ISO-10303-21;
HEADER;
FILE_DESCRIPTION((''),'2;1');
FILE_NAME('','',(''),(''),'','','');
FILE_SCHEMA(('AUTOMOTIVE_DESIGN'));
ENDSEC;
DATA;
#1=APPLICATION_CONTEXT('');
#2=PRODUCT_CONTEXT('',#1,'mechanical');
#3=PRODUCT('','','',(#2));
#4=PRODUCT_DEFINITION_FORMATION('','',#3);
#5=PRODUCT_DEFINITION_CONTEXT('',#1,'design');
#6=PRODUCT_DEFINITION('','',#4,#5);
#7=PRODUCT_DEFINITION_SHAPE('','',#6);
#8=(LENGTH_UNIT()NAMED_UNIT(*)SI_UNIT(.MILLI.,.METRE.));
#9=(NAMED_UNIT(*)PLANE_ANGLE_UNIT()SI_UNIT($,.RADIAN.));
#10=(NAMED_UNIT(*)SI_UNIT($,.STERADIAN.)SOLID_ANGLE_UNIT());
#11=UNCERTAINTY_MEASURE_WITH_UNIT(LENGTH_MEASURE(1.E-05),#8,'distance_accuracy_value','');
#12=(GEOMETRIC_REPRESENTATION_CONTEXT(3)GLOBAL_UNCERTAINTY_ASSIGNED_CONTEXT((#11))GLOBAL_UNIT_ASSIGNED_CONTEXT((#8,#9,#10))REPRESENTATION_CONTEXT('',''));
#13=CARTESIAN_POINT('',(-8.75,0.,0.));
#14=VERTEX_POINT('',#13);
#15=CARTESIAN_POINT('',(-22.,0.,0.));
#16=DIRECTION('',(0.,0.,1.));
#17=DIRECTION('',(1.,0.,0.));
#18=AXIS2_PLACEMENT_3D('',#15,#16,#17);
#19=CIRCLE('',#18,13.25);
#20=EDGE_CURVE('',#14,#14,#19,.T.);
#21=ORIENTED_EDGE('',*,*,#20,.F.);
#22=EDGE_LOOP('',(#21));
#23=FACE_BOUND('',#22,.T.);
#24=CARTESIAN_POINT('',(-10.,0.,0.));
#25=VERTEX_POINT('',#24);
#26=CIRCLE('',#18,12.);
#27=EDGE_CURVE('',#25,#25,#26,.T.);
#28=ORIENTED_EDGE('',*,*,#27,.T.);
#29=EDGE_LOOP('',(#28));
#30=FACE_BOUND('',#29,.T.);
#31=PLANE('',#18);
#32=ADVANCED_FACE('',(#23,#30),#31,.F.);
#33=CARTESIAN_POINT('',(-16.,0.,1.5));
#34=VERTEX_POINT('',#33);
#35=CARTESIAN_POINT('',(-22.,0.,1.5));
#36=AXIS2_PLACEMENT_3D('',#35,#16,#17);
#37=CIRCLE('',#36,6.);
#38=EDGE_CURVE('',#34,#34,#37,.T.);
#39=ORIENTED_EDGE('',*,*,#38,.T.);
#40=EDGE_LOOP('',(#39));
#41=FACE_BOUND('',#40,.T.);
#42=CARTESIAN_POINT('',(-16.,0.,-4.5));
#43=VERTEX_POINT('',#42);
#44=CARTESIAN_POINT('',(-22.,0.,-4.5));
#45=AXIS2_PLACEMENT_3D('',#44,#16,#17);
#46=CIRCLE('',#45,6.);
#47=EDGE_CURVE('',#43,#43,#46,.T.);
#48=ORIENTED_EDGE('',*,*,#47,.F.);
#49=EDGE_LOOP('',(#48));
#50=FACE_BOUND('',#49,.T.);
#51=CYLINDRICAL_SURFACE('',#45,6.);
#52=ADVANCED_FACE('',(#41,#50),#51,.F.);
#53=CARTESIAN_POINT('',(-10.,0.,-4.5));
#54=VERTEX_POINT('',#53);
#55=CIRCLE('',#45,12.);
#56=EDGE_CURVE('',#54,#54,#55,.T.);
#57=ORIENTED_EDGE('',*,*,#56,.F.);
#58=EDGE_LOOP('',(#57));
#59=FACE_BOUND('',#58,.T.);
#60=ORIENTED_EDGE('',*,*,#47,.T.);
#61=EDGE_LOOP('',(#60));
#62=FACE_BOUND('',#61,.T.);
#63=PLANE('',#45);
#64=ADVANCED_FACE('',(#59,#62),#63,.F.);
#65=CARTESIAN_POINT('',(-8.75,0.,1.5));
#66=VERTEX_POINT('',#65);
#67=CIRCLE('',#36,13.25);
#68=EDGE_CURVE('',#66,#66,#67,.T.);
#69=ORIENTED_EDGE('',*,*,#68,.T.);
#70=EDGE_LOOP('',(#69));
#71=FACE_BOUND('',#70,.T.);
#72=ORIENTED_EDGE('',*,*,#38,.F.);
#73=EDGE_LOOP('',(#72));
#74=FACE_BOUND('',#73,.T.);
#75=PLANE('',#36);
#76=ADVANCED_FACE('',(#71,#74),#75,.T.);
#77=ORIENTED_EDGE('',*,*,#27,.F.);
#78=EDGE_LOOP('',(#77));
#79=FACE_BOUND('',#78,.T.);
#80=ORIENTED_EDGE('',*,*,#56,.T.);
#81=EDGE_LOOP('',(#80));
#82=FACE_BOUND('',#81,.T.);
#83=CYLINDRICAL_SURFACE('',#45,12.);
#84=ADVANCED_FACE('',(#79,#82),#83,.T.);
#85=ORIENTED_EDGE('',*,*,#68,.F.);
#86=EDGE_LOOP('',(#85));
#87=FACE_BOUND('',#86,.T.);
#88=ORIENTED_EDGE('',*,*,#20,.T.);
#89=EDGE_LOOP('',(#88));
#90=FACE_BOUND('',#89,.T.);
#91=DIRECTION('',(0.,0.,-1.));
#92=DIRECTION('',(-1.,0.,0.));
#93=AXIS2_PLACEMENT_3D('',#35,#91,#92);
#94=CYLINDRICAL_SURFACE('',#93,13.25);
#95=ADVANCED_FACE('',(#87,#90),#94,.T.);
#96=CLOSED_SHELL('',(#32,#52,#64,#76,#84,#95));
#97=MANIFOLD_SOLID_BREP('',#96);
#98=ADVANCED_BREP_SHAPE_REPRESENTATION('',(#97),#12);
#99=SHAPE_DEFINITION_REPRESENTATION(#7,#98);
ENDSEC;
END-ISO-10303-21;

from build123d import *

# Parameters (mm, degrees)
SKETCH_1_R          = 12
EXTRUDE_1_DEPTH     = 4.5
SKETCH_2_R          = 13.25
EXTRUDE_2_DEPTH     = 1.5
SKETCH_3_R          = 6
CUT_EXTRUDE_1_DEPTH = 39.132990966


with BuildPart() as part:
    # ｽｹｯﾁ1 → 押し出し1 (new body)
    with BuildSketch(Plane.XY):
        with Locations((-22, 0)):
            Circle(SKETCH_1_R)
    extrude(amount=-EXTRUDE_1_DEPTH)

    # ｽｹｯﾁ2 → 押し出し2 (add)
    with BuildSketch(Plane.XY):
        with Locations((-22, 0)):
            Circle(SKETCH_2_R)
    extrude(amount=EXTRUDE_2_DEPTH)

    # ｽｹｯﾁ3 → ｶｯﾄ - 押し出し1 (cut, through all)
    with BuildSketch(Plane.XY.offset(1.5)):
        with Locations((-22, 0)):
            Circle(SKETCH_3_R)
    extrude(amount=-CUT_EXTRUDE_1_DEPTH, mode=Mode.SUBTRACT)


solid = part.part
